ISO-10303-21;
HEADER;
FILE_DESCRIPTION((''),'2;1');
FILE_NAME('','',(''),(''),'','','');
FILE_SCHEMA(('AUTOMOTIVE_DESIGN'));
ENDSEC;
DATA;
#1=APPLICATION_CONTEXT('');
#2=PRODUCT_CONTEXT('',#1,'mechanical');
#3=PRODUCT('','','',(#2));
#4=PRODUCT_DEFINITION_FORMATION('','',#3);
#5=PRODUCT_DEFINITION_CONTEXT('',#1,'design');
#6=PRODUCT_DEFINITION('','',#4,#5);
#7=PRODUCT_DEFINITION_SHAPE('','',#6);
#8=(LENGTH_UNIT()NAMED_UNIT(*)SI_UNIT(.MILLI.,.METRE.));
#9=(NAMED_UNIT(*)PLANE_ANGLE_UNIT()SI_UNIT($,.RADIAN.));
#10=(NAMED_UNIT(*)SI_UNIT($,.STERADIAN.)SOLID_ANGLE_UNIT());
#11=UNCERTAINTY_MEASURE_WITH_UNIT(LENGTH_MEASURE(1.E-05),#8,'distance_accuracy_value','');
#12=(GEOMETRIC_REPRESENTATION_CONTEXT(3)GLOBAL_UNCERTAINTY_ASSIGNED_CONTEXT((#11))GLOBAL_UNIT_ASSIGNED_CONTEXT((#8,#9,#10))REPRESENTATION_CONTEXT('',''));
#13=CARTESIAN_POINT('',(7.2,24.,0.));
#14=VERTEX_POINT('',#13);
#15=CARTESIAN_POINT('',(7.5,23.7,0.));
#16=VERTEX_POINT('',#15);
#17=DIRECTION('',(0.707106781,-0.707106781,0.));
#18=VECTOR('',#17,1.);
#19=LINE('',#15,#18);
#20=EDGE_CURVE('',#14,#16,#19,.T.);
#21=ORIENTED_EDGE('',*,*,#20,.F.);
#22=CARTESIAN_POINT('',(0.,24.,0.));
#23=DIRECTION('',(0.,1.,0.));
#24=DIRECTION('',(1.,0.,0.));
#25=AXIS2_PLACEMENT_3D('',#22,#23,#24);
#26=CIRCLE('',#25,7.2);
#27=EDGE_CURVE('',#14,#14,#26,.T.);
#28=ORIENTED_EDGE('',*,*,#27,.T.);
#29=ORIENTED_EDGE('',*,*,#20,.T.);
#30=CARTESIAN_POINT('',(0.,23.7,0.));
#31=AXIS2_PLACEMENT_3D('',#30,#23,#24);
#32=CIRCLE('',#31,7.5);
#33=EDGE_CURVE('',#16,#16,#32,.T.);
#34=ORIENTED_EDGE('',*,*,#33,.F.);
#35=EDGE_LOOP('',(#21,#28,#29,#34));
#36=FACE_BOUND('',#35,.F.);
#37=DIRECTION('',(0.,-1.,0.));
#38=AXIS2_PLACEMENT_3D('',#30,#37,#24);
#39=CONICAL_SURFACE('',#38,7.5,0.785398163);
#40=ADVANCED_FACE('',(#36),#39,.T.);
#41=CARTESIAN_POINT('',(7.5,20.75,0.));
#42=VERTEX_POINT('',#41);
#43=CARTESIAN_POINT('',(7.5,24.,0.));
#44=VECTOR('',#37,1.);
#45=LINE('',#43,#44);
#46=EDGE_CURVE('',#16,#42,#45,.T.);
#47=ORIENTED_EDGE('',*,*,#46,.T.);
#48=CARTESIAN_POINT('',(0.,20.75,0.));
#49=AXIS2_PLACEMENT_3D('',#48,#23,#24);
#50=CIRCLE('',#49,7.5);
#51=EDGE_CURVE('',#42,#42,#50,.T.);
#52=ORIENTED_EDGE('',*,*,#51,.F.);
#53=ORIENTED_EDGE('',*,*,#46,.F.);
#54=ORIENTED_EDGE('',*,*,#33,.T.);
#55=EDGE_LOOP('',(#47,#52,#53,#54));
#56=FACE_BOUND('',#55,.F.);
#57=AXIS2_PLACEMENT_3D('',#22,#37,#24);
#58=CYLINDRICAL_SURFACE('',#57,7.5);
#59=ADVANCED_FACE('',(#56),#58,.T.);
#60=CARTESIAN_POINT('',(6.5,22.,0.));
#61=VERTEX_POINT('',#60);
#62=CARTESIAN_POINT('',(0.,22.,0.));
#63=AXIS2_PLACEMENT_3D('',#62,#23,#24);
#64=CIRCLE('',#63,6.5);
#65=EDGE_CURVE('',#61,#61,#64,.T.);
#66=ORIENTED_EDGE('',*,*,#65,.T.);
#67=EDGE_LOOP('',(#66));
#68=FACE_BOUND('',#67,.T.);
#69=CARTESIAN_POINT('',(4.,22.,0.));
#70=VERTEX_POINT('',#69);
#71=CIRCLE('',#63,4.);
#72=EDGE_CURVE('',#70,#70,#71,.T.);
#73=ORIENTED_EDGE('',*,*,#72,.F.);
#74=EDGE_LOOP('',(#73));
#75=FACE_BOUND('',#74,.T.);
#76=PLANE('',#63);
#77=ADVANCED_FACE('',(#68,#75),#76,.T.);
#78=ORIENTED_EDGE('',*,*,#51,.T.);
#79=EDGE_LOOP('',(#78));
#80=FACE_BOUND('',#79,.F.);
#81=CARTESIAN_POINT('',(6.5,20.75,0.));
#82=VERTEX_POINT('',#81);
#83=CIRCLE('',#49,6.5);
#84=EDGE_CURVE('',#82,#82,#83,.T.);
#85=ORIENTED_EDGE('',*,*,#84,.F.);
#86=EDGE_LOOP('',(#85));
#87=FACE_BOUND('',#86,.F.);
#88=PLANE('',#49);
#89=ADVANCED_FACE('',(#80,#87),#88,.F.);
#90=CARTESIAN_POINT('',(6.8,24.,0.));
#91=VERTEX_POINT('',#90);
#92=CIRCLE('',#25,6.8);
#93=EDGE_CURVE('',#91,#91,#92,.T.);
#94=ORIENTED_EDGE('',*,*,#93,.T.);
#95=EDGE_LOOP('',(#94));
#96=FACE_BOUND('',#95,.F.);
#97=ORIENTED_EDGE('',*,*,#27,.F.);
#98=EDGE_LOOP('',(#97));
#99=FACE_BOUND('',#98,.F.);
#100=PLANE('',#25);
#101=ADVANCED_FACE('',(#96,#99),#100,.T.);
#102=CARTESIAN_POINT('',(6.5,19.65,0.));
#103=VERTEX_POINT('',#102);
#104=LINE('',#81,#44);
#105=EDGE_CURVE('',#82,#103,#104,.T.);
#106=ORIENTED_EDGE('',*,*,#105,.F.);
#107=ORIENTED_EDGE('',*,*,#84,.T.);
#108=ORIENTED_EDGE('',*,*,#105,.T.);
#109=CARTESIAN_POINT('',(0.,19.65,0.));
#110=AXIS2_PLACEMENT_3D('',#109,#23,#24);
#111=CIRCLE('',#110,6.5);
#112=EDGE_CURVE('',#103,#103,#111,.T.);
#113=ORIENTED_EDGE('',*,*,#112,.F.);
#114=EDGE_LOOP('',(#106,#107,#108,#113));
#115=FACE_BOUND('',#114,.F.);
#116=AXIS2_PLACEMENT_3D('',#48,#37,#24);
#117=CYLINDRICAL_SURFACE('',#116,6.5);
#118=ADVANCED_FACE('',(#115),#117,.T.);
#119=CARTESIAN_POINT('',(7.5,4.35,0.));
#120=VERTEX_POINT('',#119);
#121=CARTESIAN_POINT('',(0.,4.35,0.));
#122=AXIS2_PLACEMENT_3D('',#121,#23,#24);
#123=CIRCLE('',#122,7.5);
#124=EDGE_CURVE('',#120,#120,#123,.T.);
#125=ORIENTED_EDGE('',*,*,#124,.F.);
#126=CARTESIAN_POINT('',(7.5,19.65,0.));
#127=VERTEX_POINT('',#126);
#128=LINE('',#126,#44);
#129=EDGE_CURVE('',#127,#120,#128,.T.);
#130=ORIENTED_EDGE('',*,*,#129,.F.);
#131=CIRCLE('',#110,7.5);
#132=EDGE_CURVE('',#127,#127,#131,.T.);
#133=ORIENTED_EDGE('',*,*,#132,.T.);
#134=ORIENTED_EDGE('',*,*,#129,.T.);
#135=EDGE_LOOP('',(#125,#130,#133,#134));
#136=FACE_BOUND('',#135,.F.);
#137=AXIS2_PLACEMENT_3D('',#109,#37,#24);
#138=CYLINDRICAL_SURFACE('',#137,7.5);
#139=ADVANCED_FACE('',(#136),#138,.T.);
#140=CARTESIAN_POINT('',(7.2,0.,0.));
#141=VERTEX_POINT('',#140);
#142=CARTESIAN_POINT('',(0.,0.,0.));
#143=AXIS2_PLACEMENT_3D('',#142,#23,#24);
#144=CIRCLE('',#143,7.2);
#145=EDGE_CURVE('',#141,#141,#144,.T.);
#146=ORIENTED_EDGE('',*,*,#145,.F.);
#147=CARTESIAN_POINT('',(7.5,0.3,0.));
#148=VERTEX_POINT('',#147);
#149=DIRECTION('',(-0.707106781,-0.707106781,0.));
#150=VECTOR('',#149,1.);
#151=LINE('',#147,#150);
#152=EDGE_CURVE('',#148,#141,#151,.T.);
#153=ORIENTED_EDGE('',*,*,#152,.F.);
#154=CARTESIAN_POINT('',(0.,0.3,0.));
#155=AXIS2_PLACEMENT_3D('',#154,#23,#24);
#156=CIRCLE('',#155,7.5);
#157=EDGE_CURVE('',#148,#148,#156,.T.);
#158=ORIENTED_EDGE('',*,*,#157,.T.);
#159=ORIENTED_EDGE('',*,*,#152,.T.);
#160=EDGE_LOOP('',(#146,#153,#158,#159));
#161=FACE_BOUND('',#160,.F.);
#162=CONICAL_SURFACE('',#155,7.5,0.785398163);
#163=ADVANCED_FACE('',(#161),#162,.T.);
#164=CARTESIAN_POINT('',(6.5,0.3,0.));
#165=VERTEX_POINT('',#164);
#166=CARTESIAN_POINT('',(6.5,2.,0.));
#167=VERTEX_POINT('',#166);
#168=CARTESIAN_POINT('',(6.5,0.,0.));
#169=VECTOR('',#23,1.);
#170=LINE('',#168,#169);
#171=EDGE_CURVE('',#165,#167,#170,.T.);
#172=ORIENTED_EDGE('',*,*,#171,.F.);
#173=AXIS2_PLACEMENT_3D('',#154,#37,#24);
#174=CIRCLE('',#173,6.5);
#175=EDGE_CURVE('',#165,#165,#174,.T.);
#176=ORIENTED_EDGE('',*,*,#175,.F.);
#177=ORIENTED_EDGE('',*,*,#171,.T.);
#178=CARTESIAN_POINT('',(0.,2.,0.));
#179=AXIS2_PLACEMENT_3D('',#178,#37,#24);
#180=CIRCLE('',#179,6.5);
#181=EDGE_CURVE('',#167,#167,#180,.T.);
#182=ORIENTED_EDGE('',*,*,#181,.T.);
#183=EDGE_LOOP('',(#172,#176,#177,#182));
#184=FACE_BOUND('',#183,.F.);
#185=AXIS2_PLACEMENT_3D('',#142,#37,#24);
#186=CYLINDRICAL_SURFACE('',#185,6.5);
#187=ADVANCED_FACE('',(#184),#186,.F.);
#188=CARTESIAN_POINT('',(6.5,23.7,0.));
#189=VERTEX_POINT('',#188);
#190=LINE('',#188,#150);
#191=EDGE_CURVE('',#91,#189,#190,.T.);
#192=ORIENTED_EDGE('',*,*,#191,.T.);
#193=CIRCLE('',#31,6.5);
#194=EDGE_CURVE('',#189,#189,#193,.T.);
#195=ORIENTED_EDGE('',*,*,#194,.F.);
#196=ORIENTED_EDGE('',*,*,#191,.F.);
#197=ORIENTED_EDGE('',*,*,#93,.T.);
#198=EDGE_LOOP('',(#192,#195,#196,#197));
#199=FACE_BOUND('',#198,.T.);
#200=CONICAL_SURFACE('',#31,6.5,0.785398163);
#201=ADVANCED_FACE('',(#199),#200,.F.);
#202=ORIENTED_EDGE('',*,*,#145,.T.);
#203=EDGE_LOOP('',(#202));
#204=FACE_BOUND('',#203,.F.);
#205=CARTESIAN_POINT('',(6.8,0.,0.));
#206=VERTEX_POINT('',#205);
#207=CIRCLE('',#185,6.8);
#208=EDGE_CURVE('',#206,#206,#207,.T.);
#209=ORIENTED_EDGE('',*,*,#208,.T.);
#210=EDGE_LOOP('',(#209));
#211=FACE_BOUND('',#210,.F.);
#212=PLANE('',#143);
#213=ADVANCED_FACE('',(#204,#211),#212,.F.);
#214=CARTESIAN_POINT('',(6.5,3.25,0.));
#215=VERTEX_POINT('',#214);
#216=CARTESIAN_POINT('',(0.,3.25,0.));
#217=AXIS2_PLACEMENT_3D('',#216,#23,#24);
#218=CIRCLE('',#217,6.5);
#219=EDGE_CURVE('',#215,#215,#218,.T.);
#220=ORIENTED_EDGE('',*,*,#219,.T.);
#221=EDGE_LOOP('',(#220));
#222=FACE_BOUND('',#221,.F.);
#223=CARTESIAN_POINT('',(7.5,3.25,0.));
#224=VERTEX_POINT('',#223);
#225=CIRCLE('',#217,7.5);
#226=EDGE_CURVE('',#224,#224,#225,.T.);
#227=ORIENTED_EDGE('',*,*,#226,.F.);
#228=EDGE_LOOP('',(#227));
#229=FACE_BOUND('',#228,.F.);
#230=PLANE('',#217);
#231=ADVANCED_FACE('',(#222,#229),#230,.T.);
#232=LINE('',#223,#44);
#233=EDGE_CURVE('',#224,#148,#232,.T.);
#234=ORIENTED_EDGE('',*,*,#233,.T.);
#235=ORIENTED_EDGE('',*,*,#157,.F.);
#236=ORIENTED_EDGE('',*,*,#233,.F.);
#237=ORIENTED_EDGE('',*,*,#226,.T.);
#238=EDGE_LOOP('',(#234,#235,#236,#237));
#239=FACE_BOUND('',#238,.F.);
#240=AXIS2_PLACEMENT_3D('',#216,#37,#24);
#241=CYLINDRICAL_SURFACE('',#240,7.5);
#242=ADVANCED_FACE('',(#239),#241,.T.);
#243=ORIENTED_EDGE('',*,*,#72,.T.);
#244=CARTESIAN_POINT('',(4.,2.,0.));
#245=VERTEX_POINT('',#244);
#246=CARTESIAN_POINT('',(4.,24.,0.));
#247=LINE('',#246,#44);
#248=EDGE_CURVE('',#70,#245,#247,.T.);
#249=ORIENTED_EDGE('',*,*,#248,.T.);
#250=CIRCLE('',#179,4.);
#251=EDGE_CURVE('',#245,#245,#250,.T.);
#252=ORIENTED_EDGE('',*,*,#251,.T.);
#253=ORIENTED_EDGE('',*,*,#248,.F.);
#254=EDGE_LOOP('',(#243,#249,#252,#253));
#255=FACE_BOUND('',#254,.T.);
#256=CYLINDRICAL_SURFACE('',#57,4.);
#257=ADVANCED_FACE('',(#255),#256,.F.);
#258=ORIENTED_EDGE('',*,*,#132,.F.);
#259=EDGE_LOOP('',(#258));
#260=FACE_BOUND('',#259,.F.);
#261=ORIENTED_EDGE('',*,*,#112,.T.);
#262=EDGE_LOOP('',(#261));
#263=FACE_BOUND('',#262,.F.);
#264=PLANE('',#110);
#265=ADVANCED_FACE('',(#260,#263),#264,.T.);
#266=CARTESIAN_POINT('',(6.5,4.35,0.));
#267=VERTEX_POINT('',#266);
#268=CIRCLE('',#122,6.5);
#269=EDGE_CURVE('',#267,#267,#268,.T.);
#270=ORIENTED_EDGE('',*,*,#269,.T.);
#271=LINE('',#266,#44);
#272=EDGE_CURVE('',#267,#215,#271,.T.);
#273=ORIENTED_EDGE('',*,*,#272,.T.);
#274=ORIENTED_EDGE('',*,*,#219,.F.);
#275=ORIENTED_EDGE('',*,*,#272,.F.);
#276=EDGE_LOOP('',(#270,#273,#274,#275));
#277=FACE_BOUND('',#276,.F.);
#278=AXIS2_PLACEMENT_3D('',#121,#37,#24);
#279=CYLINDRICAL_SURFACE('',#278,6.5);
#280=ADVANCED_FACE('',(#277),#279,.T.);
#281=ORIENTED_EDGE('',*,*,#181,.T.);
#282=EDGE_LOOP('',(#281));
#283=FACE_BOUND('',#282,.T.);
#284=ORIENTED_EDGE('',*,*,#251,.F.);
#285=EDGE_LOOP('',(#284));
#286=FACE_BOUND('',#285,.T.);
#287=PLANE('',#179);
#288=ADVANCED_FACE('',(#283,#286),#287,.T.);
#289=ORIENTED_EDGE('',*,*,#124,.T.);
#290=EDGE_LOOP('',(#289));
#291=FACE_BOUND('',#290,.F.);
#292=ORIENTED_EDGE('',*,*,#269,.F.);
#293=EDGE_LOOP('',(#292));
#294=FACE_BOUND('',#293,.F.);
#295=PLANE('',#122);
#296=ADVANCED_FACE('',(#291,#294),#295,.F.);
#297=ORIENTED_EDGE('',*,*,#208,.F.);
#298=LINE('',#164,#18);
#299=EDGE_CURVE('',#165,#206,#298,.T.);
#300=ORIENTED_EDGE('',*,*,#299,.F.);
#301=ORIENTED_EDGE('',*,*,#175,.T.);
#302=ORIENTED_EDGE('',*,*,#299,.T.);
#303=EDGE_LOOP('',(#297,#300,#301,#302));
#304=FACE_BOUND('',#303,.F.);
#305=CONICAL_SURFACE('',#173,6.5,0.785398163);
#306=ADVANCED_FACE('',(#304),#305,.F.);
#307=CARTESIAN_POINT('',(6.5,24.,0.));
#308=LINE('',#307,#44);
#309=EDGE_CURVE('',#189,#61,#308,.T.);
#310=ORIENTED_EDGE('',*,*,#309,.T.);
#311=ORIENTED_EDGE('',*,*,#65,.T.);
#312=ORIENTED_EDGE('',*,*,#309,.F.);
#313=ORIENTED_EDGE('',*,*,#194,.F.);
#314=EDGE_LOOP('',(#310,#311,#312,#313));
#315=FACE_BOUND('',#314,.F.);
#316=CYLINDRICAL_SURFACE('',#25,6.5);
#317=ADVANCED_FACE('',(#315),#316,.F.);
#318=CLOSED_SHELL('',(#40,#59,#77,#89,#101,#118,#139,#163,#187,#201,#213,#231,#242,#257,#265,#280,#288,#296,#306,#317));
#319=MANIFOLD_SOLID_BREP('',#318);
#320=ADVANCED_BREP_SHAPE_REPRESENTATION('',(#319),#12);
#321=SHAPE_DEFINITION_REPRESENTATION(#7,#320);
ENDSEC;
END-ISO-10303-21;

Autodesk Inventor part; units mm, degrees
ref_plane "YZ Plane" through (0, 0, 0) normal (1, 0, 0) x (0, 1, 0)
ref_plane "XZ Plane" through (0, 0, 0) normal (0, 1, 0) x (-1, 0, 0)
ref_plane "XY Plane" through (0, 0, 0) normal (0, 0, 1) x (1, 0, 0)
sketch "Эскиз1" plane through (0, 0, 0) normal (0, 0, 1) x (1, 0, 0)
  line L0 (0, 0) -> (0, 24) construction
  line L1 (0, 24) -> (4, 24) construction
  line L2 (4, 24) -> (4, 0)
  line L3 (4, 24) -> (7.5, 24)
  line L4 (7.5, 24) -> (7.5, 20.75)
  line L5 (7.5, 20.75) -> (6.5, 20.75)
  line L6 (6.5, 20.75) -> (6.5, 19.65)
  line L7 (6.5, 19.65) -> (7.5, 19.65)
  line L8 (7.5, 19.65) -> (7.5, 4.35)
  line L9 (7.5, 4.35) -> (6.5, 4.35)
  line L10 (6.5, 4.35) -> (6.5, 3.25)
  line L11 (6.5, 3.25) -> (7.5, 3.25)
  line L12 (7.5, 3.25) -> (7.5, 0)
  line L13 (7.5, 0) -> (4, 0)
  dimension "d0" = 24
  dimension "d1" = 4
  dimension "d3" = 3.5
  dimension "d4" = 3.25
  dimension "d5" = 1
  dimension "d6" = 1.1
  dimension "d7" = 15.3
  dimension "d8" = 1
  dimension "d9" = 1.1
revolve "Вращение1" add sketch "Эскиз1" angle 360 about axis through (0, 0, 0) along (0, 1, 0)
chamfer "Фаска1" distance 0.3 angle 45 2 edges at (-7.5, 24, 0) (-7.5, 0, 0)
sketch "Эскиз2" plane through (0, 24, 0) normal (0, 1, 0) x (1, 0, 0)
  circle A0 centre (0, 0) radius 4 projected
  circle A1 centre (0, 0) radius 7.2 projected
  circle A2 centre (0, 0) radius 6.5
  dimension "d14" = 13
extrude "Выдавливание1" cut sketch "Эскиз2" against normal blind 2 contours A2
chamfer "Фаска2" distance 0.3 angle 45 1 edges at (-6.5, 24, 0)
sketch "Эскиз4" plane through (0, 0, 0) normal (0, -1, 0) x (1, 0, 0)
  circle A0 centre (0, 0) radius 4 projected
  circle A1 centre (0, 0) radius 7.2 projected
  circle A2 centre (0, 0) radius 6.5
  dimension "d27" = 13
extrude "Выдавливание3" cut sketch "Эскиз4" against normal blind 2 contours A2
chamfer "Фаска4" distance 0.3 angle 45 1 edges at (-6.5, 0, 0)
properties part number "bearing"
